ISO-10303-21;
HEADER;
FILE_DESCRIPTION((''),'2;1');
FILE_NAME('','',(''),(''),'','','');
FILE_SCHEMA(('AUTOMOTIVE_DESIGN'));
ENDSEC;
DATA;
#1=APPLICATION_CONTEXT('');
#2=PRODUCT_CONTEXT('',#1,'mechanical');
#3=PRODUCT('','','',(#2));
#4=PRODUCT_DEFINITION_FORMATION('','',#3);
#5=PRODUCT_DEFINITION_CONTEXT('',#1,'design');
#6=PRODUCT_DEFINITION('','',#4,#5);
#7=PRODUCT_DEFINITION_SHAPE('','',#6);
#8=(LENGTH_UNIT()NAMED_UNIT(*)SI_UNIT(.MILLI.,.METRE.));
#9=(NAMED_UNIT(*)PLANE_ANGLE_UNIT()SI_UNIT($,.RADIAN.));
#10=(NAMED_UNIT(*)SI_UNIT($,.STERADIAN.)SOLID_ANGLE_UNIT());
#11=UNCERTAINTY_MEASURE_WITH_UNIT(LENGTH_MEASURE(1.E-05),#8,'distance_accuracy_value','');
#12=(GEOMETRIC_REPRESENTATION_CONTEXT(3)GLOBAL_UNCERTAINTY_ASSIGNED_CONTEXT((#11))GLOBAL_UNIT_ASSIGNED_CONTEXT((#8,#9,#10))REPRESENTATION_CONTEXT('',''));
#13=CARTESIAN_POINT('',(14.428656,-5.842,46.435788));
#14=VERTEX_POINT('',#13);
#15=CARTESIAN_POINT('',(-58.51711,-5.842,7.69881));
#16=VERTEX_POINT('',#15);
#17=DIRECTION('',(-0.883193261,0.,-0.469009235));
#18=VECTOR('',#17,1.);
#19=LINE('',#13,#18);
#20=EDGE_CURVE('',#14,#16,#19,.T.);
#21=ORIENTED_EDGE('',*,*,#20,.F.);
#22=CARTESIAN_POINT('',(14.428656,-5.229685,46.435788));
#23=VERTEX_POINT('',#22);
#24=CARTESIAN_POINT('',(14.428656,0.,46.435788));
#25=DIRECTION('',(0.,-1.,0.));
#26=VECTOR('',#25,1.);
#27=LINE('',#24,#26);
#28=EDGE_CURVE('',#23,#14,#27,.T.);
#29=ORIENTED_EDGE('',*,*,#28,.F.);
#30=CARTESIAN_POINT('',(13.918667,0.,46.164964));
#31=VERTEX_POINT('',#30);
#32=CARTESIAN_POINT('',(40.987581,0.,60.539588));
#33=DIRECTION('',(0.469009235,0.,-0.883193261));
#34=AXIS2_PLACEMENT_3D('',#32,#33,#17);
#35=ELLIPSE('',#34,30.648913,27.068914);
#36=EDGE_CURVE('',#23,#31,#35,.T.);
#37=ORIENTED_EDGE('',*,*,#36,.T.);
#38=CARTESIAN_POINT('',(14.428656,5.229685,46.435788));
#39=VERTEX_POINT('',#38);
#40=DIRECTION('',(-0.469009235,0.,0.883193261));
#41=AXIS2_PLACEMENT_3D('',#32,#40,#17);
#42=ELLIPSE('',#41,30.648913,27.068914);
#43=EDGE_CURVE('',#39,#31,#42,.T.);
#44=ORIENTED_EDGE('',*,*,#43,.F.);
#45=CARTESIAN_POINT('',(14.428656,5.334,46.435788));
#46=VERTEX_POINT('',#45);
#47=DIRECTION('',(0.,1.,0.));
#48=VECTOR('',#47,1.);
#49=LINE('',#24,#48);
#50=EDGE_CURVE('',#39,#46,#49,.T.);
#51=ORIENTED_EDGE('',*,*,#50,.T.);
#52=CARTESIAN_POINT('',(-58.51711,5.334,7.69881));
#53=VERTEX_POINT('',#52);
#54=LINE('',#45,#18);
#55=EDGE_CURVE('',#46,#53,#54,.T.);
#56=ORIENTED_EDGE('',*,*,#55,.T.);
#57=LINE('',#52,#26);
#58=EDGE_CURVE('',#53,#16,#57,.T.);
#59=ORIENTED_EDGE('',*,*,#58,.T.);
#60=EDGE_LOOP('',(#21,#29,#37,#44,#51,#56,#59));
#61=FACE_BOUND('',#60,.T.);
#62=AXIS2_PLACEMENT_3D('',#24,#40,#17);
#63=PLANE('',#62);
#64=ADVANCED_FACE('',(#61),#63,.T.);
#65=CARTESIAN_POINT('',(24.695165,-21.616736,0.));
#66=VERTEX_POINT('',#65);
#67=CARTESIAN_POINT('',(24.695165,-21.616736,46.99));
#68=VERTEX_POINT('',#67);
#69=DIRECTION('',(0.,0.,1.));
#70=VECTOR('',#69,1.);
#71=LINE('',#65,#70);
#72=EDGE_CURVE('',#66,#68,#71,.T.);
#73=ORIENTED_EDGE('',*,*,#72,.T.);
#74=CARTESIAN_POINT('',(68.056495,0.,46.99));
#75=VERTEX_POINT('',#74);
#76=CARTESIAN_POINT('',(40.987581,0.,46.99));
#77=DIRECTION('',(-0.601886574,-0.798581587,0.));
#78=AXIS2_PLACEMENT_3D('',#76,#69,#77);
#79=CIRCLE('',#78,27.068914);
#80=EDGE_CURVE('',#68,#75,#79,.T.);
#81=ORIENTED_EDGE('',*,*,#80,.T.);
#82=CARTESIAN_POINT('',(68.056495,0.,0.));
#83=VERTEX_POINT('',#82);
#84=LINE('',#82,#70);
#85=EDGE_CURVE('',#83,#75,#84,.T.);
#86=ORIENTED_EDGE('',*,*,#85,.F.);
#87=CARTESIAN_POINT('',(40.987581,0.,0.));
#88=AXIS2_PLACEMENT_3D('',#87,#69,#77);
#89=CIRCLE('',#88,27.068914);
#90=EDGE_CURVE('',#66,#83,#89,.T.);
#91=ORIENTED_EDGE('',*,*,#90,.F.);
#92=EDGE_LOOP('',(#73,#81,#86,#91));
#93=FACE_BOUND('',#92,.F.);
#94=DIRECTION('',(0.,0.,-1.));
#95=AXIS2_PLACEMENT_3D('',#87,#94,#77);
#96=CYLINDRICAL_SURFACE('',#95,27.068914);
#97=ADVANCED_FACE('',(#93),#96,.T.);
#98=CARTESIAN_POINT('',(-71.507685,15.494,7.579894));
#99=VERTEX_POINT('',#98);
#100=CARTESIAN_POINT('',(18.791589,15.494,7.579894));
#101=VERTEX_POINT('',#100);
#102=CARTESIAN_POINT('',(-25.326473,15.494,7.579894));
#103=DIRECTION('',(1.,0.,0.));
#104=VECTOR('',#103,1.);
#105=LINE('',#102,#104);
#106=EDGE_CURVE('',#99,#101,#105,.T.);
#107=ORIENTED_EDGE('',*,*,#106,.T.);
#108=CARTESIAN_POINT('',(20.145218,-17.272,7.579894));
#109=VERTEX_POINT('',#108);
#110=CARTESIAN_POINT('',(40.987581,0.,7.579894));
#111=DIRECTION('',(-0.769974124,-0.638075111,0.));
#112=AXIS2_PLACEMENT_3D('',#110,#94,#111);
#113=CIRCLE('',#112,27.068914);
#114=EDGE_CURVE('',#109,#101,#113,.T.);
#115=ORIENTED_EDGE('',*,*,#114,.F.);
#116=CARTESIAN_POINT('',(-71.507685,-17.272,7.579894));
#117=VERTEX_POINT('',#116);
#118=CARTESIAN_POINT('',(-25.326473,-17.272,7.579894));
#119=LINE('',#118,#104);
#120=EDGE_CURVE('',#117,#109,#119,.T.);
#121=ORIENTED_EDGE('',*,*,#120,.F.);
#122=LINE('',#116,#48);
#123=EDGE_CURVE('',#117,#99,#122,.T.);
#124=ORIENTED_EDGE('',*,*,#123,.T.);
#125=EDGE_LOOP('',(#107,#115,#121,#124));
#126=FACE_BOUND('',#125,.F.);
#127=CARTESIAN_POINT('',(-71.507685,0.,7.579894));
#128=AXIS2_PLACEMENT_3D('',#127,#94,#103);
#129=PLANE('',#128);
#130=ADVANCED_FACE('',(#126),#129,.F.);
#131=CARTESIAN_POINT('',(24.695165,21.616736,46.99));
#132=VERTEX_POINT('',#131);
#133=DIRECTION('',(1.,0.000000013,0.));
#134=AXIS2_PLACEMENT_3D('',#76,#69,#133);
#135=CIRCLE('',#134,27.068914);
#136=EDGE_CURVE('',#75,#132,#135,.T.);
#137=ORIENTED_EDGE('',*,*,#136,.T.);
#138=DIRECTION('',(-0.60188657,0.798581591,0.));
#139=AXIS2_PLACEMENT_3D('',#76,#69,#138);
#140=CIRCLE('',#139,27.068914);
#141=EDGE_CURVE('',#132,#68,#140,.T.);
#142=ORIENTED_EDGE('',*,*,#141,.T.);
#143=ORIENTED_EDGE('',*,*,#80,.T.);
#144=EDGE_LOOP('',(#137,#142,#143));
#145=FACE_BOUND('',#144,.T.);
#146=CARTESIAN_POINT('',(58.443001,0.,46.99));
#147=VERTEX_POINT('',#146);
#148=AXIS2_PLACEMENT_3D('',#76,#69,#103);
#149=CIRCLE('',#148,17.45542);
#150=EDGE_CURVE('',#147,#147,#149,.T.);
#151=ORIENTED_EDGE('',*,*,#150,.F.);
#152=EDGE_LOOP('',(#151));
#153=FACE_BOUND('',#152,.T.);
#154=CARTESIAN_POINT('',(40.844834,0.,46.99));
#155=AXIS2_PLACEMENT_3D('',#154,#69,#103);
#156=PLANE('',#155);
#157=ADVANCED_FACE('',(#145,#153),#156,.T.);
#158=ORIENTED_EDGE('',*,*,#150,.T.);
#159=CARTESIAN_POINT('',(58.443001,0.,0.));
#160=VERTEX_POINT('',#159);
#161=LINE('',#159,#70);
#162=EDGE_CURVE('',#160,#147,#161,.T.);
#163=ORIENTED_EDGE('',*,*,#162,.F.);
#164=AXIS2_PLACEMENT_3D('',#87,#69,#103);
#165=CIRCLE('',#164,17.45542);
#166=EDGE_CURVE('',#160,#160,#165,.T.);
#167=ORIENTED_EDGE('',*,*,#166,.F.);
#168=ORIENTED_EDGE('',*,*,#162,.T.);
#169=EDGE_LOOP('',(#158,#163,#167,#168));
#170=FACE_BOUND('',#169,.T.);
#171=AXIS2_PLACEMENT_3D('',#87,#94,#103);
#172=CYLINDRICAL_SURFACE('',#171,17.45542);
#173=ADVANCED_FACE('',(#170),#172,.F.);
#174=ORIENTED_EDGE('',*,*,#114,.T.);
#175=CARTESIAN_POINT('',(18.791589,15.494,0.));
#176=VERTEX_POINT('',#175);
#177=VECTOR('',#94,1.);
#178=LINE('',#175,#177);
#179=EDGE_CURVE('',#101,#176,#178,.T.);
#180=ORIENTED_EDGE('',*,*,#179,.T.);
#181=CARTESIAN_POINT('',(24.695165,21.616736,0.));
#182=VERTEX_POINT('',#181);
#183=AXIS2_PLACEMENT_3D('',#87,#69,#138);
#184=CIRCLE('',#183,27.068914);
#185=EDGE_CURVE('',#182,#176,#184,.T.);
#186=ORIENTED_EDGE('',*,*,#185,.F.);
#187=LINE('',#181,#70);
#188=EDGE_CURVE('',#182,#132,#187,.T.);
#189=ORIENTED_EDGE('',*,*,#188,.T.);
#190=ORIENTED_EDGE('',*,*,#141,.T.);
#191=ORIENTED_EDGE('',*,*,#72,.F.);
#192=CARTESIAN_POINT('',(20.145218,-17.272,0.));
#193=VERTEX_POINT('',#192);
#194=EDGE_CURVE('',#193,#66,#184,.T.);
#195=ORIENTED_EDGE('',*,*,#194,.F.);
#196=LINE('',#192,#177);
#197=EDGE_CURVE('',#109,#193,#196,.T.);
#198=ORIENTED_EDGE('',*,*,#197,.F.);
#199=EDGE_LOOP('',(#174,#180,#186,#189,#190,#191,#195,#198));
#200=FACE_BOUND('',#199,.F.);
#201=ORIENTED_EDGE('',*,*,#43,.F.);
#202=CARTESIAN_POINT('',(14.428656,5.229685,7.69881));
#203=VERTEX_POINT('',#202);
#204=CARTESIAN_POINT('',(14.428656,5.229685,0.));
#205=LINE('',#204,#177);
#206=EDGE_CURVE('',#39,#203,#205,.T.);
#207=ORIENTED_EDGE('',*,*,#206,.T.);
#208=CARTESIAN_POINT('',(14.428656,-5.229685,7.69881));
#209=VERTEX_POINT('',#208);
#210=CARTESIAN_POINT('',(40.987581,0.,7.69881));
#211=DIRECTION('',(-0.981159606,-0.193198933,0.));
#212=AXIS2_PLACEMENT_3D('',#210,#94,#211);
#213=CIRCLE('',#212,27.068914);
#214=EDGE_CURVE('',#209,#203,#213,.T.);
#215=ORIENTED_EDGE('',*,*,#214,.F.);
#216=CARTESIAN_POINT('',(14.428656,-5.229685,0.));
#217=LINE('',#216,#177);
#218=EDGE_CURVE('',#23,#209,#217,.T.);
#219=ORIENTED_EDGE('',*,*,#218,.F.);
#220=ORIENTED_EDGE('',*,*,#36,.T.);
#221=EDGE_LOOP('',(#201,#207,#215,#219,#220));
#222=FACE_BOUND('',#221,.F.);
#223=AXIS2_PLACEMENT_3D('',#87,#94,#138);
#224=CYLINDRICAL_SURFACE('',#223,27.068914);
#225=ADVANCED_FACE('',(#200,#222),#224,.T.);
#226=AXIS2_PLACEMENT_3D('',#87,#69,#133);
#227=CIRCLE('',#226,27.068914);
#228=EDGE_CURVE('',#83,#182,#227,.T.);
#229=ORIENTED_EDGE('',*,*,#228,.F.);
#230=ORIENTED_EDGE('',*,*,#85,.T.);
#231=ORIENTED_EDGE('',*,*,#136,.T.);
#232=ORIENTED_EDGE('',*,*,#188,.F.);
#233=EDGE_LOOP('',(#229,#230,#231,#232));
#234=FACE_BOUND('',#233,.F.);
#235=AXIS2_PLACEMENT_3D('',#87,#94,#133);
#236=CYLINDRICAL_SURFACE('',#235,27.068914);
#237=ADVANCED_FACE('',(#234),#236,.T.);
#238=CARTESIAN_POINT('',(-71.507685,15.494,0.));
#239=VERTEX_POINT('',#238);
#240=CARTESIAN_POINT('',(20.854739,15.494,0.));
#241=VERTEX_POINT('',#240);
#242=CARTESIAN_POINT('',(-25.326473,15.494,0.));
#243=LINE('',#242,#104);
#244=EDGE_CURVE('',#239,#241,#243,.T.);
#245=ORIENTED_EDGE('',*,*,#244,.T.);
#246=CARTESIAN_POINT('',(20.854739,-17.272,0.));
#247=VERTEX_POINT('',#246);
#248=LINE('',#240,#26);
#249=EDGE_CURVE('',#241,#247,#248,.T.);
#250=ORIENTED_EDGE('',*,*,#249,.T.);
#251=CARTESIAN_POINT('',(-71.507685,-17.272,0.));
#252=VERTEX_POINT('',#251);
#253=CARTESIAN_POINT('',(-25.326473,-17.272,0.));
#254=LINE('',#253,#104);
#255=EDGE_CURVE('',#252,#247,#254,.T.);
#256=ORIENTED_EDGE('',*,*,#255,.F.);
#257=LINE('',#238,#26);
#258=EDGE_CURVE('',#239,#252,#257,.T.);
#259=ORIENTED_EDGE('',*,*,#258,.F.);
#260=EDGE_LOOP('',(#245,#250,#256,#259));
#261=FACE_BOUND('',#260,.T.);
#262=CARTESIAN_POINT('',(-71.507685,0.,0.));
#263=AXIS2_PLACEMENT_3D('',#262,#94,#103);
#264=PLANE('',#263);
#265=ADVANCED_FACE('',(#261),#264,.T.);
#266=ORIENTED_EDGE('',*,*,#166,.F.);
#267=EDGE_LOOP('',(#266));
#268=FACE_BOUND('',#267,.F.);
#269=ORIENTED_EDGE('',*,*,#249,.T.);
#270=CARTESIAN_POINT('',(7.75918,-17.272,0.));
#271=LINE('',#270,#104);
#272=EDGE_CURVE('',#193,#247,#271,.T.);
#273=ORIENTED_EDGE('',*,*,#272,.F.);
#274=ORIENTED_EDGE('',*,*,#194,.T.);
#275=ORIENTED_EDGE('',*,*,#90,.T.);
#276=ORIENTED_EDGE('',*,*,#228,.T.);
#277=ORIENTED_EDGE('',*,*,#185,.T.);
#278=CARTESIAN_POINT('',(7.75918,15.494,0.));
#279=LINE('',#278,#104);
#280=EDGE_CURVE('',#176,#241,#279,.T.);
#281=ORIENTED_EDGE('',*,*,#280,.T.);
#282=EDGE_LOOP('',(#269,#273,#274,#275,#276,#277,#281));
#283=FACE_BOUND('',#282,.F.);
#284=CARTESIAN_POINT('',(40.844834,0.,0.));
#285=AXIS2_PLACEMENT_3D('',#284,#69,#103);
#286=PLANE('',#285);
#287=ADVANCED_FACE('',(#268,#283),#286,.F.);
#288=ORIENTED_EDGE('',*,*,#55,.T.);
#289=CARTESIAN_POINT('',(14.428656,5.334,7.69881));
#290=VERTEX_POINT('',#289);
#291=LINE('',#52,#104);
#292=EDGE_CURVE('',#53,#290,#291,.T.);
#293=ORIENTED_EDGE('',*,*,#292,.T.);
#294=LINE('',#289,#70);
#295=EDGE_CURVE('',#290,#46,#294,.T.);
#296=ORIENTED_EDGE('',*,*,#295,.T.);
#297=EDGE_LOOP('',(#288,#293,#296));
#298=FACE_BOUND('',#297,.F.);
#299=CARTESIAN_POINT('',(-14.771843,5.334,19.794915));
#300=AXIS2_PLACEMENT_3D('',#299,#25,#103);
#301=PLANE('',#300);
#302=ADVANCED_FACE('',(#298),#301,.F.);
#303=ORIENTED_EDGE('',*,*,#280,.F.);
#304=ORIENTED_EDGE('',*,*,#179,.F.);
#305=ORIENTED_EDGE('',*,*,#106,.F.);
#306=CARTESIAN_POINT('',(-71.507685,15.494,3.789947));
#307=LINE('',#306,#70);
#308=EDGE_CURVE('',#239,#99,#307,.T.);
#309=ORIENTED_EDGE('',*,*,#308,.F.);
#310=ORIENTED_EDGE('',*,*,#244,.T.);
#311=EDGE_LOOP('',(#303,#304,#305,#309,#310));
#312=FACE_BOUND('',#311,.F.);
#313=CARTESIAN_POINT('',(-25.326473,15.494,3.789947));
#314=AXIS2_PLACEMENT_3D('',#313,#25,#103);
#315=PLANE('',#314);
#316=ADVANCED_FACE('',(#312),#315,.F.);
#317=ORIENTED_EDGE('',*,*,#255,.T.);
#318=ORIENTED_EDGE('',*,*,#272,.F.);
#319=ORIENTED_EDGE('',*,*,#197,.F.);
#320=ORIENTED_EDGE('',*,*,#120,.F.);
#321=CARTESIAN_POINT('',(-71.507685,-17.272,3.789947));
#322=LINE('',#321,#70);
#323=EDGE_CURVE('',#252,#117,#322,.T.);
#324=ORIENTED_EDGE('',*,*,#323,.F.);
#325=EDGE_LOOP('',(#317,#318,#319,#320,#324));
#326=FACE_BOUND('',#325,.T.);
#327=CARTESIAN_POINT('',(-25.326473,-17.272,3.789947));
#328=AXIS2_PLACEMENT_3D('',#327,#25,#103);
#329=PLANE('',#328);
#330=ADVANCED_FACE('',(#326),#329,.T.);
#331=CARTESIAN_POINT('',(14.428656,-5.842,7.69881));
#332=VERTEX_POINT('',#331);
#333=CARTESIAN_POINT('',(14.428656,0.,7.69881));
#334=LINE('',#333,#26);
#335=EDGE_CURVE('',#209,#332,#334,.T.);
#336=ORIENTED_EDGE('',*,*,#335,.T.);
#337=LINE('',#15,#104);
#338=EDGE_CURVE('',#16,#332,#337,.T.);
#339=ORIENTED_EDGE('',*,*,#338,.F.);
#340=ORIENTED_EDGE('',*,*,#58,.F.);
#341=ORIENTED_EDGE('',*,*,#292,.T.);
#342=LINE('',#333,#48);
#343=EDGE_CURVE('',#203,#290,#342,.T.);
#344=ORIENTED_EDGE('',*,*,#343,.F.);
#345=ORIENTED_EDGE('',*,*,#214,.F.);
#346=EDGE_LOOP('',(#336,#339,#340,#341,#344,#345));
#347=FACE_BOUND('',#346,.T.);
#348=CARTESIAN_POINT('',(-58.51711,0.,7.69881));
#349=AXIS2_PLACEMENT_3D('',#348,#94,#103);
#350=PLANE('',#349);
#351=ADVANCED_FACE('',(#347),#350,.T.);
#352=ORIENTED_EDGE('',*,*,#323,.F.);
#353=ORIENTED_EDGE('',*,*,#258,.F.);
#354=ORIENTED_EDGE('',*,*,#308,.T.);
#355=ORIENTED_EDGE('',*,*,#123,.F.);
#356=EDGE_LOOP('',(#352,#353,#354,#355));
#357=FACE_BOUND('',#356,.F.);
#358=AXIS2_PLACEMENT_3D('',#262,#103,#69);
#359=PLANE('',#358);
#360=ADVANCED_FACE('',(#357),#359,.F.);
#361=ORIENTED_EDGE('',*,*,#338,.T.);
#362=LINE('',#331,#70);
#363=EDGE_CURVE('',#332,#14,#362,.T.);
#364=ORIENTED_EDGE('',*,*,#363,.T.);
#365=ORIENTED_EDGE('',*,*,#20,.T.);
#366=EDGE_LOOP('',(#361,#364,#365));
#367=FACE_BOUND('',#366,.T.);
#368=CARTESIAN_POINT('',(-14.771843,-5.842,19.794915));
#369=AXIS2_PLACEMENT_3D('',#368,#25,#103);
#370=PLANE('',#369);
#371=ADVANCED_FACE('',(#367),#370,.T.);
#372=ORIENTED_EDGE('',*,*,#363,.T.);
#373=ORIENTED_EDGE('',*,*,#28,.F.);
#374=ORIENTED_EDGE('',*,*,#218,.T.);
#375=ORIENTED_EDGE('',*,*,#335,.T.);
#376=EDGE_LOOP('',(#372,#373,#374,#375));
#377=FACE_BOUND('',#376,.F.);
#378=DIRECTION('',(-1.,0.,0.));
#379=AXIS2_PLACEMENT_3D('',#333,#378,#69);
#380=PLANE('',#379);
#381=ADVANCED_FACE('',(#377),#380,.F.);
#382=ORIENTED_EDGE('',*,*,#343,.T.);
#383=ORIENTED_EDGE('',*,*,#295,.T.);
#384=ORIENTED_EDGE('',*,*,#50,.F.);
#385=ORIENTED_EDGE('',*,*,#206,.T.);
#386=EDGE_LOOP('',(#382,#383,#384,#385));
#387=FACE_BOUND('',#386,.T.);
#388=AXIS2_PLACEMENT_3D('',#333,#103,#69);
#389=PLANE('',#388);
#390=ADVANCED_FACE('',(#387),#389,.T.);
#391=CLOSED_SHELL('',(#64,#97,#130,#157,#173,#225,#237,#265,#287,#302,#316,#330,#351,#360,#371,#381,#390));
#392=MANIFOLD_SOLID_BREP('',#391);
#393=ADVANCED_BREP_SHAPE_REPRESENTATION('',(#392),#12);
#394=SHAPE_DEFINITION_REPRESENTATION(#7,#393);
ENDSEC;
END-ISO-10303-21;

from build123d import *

# Parameters (mm, degrees)
F0_R          = 17.45542
F1_DEPTH      = 46.99
F2_W          = 92.362424
F2_H          = 7.579895
F3_DEPTH      = 17.272
F3_DEPTH_BACK = 15.494
F5_DEPTH      = 5.842
F5_DEPTH_BACK = 5.334


with BuildPart() as f1:
    # F0 (on Top) → F1 (new body)
    with BuildSketch(Plane.XY):
        with BuildLine():
            ThreePointArc((68.056495, 0), (53.064586, 24.225442), (24.695165, 21.616736))
            ThreePointArc((24.695165, 21.616736), (13.918667, 0), (24.695165, -21.616736))
            ThreePointArc((24.695165, -21.616736), (53.064586, -24.225442), (68.056495, 0))
        make_face()
        with Locations((40.987581, 0)):
            Circle(F0_R, mode=Mode.SUBTRACT)
    extrude(amount=F1_DEPTH)

    # F2 (on Front) → F3 (join, two sides)
    with BuildSketch(Plane.XZ) as f3_sk:
        with Locations((-25.326473, 3.789947)):
            Rectangle(F2_W, F2_H)
    extrude(amount=F3_DEPTH)
    extrude(f3_sk.sketch, amount=-F3_DEPTH_BACK)

    # F4 (on Front) → F5 (join, two sides)
    with BuildSketch(Plane.XZ) as f5_sk:
        Polygon((14.428656, 46.435788), (-58.51711, 7.69881), (14.428656, 7.69881), align=None)
    extrude(amount=F5_DEPTH)
    extrude(f5_sk.sketch, amount=-F5_DEPTH_BACK)


solid = f1.part
